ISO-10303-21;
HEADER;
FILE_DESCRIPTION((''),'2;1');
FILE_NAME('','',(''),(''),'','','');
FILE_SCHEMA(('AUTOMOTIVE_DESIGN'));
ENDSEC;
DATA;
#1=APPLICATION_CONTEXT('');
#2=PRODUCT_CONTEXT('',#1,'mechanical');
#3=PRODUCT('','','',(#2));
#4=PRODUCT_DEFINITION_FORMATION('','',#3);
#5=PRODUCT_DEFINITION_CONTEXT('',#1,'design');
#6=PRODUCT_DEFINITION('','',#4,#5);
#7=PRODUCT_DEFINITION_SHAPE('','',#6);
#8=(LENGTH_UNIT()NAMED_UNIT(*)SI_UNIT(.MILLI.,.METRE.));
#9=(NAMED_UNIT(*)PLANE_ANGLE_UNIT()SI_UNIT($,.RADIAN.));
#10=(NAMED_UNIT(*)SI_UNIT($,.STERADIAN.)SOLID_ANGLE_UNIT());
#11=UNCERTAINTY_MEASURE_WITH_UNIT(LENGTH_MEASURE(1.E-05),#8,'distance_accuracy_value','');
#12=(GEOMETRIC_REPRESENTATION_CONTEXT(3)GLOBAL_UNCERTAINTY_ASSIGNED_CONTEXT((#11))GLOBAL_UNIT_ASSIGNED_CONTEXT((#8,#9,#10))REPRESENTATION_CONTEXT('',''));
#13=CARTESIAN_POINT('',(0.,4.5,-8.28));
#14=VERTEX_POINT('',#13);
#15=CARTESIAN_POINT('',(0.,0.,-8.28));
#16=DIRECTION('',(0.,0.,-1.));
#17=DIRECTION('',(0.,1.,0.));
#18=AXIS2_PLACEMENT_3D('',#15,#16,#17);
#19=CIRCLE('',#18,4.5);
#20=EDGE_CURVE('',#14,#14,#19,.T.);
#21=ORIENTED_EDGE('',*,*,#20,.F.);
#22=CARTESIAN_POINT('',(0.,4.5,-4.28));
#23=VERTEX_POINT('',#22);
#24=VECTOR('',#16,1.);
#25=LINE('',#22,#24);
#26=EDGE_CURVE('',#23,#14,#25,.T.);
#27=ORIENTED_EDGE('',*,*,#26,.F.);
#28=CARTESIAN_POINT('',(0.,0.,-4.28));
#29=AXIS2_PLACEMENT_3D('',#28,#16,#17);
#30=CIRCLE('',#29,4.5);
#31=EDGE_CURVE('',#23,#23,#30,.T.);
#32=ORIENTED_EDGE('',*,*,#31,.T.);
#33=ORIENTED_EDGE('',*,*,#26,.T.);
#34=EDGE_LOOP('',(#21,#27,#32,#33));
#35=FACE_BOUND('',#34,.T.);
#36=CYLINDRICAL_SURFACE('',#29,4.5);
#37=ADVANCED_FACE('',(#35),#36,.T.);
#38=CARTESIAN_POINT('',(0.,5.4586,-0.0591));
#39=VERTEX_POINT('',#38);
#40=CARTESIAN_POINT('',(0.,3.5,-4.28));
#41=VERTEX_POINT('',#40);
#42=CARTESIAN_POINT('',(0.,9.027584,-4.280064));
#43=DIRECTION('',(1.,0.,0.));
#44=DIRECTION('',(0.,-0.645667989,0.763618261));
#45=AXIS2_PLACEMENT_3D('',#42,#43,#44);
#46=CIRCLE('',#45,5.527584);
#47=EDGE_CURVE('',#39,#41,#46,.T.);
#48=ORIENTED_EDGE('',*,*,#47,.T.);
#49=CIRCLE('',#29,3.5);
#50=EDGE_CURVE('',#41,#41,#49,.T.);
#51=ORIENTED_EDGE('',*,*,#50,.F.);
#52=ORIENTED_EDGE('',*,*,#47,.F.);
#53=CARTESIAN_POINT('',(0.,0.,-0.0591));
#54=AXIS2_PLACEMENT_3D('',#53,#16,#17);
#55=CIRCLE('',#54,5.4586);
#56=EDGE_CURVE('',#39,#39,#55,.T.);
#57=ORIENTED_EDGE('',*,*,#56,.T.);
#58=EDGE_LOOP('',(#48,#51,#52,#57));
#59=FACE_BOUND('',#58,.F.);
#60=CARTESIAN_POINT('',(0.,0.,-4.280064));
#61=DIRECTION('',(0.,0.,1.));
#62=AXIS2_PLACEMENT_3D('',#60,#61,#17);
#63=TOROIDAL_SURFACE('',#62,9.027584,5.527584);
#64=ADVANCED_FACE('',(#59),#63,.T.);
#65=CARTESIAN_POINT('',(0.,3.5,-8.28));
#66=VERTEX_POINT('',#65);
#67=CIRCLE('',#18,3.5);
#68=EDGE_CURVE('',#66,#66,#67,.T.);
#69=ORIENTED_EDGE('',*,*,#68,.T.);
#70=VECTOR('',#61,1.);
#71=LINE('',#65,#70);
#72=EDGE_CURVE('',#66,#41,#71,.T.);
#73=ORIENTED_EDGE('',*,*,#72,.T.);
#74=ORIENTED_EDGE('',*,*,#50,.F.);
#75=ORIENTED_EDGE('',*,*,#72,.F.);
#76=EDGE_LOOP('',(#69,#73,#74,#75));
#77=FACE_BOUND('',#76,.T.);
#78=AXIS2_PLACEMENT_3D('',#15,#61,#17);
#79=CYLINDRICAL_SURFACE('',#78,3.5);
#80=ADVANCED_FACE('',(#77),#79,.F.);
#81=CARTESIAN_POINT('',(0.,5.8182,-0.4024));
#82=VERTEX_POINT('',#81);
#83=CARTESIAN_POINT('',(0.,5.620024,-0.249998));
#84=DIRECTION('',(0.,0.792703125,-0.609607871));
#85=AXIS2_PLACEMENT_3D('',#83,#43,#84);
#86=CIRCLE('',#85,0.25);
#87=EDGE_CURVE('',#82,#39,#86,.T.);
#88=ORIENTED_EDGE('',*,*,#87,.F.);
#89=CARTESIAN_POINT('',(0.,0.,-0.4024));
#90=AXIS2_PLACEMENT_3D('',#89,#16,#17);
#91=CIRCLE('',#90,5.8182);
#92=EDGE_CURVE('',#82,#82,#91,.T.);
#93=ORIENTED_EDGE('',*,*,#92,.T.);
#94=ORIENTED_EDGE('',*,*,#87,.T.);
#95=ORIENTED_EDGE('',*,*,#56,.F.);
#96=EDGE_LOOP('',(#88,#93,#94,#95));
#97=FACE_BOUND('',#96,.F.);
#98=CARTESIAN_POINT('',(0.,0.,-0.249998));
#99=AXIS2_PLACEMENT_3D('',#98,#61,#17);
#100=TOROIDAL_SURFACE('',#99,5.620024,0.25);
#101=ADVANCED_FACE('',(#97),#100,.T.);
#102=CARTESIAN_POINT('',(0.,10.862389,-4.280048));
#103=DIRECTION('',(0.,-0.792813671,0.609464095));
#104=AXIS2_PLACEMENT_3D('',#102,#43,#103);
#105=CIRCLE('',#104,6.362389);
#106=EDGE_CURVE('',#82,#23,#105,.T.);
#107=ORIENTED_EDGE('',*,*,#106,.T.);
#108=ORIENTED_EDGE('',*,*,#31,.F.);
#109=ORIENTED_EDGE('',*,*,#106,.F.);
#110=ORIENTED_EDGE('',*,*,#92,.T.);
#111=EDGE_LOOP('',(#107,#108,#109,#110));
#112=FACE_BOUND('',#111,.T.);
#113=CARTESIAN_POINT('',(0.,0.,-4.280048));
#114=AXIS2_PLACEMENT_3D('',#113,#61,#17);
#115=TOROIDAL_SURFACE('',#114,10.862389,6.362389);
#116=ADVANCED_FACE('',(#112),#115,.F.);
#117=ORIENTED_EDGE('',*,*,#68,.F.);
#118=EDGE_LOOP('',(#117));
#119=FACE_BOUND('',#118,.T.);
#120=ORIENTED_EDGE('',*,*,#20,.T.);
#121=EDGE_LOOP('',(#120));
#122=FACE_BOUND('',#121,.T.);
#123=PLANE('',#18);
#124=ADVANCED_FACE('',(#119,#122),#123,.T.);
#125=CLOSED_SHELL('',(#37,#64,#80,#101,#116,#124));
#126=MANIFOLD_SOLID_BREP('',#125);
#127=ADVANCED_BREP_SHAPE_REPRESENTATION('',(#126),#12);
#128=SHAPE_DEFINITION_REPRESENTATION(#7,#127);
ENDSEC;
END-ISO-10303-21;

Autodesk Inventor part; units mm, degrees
ref_plane "YZ Plane" through (0, 0, 0) normal (1, 0, 0) x (0, 1, 0)
ref_plane "XZ Plane" through (0, 0, 0) normal (0, 1, 0) x (-1, 0, 0)
ref_plane "XY Plane" through (0, 0, 0) normal (0, 0, 1) x (1, 0, 0)
sketch "Sketch1" plane through (0, 0, 0) normal (1, 0, 0) x (0, 1, 0)
  line L0 (0, 0) -> (0, -10.5356) construction
  line L1 (3.5, -8.28) -> (3.5, -4.28)
  line L2 (3.5, 0) -> (5.87, 0) construction
  line L3 (5.87, 0) -> (5.87, -8.28) construction
  line L4 (4.5, -8.28) -> (3.5, -8.28)
  line L5 (4.5, -4.28) -> (4.5, -8.28)
  line L6 (4.5, -4.28) -> (0, -4.28) construction
  arc A0 (5.8182, -0.4024) -> (5.4586, -0.0591) centre (5.62, -0.25) ccw
  arc A1 (5.4586, -0.0591) -> (3.5, -4.28) centre (9.0275, -4.28) ccw
  arc A2 (5.8182, -0.4024) -> (4.5, -4.28) centre (10.8623, -4.28) ccw
  dimension "d0" = 8.28
  dimension "d1" = 5.87
  dimension "d2" = 3.5
  dimension "d4" = 4.5
  dimension "d5" = 4
  dimension "d6" = 0.5
  dimension "d7" = 6.3623
revolve "Revolution1" add sketch "Sketch1" angle 360 about axis through (0, 0, 0) along (0, 0, -1)
thread "Thread1" size "M9x0.75" class "6g" standard "ANSI Metric M Profile" full length
properties part number "Component 1(Venturi)"
